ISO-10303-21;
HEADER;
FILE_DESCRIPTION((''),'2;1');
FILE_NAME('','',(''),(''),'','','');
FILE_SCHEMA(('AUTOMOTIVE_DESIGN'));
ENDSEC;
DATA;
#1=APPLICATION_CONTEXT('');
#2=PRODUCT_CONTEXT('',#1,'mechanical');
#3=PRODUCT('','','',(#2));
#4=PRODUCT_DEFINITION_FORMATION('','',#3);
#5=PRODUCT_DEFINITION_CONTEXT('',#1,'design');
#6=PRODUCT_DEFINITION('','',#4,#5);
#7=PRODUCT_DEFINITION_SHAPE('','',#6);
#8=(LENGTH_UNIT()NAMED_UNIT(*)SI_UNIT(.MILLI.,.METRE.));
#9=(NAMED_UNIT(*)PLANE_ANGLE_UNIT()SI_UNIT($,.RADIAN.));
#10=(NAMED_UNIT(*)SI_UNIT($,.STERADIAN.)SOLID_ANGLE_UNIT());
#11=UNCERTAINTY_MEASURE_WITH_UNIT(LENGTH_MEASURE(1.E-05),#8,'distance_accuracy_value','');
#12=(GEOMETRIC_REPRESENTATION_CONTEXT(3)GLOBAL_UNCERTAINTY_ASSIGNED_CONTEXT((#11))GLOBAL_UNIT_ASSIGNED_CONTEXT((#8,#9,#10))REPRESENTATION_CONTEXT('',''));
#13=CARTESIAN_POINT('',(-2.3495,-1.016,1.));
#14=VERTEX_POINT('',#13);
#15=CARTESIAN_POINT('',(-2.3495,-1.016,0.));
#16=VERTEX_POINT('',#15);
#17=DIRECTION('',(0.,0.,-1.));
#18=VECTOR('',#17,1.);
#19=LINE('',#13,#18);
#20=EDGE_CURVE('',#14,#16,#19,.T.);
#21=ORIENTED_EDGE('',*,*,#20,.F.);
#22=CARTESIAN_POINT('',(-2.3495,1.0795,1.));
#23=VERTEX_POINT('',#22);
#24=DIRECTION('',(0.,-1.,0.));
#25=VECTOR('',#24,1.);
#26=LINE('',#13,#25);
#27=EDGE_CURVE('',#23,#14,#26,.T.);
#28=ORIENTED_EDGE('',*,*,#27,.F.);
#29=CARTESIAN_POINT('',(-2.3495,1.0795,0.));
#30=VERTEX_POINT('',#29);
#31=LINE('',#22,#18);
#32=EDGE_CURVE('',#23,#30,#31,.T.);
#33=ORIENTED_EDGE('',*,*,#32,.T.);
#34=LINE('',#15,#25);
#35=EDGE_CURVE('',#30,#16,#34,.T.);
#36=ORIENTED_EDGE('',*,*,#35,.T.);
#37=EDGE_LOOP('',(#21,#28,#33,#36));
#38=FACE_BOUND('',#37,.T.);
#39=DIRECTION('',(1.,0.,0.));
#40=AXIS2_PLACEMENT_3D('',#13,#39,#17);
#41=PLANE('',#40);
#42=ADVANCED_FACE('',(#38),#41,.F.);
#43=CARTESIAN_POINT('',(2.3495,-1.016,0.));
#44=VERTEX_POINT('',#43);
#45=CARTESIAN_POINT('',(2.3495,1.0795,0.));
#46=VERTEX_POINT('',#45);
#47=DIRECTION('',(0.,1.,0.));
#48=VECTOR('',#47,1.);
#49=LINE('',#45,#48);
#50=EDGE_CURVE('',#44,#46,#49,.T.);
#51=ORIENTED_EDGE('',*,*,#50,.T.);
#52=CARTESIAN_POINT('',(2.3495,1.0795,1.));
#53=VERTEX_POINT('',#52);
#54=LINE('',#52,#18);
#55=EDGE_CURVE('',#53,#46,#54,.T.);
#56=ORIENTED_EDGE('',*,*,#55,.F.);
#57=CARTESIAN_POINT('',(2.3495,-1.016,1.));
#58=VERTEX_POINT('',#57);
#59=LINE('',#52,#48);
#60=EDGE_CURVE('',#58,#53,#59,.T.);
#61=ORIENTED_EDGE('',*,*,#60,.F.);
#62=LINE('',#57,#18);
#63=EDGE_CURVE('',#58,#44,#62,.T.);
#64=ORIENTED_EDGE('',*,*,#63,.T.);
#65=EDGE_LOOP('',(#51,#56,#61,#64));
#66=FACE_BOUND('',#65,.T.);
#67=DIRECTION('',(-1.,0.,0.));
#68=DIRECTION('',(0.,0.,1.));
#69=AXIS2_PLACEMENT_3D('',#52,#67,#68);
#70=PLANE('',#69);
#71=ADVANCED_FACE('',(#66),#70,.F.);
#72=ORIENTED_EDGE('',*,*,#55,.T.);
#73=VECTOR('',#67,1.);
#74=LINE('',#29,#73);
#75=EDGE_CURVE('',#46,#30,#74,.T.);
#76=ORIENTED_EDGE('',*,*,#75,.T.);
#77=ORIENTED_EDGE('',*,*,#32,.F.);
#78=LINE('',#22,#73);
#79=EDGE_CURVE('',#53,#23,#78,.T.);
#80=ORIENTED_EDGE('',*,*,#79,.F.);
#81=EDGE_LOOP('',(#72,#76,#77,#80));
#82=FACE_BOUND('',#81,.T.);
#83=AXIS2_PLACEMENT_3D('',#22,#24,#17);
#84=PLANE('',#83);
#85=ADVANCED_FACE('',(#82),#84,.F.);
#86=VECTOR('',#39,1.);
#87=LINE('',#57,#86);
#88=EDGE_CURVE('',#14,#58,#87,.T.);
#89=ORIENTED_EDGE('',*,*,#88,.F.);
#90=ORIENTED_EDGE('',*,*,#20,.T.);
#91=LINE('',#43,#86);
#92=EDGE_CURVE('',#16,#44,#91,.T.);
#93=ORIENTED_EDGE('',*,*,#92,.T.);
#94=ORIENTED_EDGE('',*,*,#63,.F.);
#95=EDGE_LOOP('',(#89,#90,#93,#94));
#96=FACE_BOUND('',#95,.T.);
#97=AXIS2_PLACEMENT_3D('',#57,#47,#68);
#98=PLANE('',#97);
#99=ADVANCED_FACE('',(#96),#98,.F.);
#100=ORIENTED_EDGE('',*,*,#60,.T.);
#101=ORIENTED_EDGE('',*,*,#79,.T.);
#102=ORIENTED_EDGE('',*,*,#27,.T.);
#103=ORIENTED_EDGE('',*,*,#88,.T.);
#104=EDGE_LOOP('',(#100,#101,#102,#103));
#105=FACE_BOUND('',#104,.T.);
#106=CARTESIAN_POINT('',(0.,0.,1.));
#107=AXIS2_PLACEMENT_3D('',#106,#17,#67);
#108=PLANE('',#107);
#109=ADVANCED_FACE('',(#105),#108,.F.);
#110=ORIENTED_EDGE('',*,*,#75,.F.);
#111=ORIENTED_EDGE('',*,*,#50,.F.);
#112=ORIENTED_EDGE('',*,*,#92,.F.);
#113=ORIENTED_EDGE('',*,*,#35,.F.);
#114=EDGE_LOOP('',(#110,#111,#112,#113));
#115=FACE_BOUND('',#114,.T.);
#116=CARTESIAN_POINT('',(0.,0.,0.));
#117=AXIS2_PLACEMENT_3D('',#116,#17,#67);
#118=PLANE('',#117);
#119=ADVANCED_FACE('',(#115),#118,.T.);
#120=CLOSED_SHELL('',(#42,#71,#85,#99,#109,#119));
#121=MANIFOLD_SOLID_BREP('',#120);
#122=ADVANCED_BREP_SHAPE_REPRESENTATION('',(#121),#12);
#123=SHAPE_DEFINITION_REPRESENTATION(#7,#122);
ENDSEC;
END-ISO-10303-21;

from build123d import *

# Parameters (mm, degrees)
SKETCH1_W               = 4.699
SKETCH1_H               = 2.0955
COMPONENT_OUTLINE_DEPTH = 1


with BuildPart() as part:
    # Sketch1 → Component_Outline (new body)
    with BuildSketch(Plane.XY):
        with Locations((0, 0.03175)):
            Rectangle(SKETCH1_W, SKETCH1_H)
    extrude(amount=COMPONENT_OUTLINE_DEPTH)


solid = part.part
